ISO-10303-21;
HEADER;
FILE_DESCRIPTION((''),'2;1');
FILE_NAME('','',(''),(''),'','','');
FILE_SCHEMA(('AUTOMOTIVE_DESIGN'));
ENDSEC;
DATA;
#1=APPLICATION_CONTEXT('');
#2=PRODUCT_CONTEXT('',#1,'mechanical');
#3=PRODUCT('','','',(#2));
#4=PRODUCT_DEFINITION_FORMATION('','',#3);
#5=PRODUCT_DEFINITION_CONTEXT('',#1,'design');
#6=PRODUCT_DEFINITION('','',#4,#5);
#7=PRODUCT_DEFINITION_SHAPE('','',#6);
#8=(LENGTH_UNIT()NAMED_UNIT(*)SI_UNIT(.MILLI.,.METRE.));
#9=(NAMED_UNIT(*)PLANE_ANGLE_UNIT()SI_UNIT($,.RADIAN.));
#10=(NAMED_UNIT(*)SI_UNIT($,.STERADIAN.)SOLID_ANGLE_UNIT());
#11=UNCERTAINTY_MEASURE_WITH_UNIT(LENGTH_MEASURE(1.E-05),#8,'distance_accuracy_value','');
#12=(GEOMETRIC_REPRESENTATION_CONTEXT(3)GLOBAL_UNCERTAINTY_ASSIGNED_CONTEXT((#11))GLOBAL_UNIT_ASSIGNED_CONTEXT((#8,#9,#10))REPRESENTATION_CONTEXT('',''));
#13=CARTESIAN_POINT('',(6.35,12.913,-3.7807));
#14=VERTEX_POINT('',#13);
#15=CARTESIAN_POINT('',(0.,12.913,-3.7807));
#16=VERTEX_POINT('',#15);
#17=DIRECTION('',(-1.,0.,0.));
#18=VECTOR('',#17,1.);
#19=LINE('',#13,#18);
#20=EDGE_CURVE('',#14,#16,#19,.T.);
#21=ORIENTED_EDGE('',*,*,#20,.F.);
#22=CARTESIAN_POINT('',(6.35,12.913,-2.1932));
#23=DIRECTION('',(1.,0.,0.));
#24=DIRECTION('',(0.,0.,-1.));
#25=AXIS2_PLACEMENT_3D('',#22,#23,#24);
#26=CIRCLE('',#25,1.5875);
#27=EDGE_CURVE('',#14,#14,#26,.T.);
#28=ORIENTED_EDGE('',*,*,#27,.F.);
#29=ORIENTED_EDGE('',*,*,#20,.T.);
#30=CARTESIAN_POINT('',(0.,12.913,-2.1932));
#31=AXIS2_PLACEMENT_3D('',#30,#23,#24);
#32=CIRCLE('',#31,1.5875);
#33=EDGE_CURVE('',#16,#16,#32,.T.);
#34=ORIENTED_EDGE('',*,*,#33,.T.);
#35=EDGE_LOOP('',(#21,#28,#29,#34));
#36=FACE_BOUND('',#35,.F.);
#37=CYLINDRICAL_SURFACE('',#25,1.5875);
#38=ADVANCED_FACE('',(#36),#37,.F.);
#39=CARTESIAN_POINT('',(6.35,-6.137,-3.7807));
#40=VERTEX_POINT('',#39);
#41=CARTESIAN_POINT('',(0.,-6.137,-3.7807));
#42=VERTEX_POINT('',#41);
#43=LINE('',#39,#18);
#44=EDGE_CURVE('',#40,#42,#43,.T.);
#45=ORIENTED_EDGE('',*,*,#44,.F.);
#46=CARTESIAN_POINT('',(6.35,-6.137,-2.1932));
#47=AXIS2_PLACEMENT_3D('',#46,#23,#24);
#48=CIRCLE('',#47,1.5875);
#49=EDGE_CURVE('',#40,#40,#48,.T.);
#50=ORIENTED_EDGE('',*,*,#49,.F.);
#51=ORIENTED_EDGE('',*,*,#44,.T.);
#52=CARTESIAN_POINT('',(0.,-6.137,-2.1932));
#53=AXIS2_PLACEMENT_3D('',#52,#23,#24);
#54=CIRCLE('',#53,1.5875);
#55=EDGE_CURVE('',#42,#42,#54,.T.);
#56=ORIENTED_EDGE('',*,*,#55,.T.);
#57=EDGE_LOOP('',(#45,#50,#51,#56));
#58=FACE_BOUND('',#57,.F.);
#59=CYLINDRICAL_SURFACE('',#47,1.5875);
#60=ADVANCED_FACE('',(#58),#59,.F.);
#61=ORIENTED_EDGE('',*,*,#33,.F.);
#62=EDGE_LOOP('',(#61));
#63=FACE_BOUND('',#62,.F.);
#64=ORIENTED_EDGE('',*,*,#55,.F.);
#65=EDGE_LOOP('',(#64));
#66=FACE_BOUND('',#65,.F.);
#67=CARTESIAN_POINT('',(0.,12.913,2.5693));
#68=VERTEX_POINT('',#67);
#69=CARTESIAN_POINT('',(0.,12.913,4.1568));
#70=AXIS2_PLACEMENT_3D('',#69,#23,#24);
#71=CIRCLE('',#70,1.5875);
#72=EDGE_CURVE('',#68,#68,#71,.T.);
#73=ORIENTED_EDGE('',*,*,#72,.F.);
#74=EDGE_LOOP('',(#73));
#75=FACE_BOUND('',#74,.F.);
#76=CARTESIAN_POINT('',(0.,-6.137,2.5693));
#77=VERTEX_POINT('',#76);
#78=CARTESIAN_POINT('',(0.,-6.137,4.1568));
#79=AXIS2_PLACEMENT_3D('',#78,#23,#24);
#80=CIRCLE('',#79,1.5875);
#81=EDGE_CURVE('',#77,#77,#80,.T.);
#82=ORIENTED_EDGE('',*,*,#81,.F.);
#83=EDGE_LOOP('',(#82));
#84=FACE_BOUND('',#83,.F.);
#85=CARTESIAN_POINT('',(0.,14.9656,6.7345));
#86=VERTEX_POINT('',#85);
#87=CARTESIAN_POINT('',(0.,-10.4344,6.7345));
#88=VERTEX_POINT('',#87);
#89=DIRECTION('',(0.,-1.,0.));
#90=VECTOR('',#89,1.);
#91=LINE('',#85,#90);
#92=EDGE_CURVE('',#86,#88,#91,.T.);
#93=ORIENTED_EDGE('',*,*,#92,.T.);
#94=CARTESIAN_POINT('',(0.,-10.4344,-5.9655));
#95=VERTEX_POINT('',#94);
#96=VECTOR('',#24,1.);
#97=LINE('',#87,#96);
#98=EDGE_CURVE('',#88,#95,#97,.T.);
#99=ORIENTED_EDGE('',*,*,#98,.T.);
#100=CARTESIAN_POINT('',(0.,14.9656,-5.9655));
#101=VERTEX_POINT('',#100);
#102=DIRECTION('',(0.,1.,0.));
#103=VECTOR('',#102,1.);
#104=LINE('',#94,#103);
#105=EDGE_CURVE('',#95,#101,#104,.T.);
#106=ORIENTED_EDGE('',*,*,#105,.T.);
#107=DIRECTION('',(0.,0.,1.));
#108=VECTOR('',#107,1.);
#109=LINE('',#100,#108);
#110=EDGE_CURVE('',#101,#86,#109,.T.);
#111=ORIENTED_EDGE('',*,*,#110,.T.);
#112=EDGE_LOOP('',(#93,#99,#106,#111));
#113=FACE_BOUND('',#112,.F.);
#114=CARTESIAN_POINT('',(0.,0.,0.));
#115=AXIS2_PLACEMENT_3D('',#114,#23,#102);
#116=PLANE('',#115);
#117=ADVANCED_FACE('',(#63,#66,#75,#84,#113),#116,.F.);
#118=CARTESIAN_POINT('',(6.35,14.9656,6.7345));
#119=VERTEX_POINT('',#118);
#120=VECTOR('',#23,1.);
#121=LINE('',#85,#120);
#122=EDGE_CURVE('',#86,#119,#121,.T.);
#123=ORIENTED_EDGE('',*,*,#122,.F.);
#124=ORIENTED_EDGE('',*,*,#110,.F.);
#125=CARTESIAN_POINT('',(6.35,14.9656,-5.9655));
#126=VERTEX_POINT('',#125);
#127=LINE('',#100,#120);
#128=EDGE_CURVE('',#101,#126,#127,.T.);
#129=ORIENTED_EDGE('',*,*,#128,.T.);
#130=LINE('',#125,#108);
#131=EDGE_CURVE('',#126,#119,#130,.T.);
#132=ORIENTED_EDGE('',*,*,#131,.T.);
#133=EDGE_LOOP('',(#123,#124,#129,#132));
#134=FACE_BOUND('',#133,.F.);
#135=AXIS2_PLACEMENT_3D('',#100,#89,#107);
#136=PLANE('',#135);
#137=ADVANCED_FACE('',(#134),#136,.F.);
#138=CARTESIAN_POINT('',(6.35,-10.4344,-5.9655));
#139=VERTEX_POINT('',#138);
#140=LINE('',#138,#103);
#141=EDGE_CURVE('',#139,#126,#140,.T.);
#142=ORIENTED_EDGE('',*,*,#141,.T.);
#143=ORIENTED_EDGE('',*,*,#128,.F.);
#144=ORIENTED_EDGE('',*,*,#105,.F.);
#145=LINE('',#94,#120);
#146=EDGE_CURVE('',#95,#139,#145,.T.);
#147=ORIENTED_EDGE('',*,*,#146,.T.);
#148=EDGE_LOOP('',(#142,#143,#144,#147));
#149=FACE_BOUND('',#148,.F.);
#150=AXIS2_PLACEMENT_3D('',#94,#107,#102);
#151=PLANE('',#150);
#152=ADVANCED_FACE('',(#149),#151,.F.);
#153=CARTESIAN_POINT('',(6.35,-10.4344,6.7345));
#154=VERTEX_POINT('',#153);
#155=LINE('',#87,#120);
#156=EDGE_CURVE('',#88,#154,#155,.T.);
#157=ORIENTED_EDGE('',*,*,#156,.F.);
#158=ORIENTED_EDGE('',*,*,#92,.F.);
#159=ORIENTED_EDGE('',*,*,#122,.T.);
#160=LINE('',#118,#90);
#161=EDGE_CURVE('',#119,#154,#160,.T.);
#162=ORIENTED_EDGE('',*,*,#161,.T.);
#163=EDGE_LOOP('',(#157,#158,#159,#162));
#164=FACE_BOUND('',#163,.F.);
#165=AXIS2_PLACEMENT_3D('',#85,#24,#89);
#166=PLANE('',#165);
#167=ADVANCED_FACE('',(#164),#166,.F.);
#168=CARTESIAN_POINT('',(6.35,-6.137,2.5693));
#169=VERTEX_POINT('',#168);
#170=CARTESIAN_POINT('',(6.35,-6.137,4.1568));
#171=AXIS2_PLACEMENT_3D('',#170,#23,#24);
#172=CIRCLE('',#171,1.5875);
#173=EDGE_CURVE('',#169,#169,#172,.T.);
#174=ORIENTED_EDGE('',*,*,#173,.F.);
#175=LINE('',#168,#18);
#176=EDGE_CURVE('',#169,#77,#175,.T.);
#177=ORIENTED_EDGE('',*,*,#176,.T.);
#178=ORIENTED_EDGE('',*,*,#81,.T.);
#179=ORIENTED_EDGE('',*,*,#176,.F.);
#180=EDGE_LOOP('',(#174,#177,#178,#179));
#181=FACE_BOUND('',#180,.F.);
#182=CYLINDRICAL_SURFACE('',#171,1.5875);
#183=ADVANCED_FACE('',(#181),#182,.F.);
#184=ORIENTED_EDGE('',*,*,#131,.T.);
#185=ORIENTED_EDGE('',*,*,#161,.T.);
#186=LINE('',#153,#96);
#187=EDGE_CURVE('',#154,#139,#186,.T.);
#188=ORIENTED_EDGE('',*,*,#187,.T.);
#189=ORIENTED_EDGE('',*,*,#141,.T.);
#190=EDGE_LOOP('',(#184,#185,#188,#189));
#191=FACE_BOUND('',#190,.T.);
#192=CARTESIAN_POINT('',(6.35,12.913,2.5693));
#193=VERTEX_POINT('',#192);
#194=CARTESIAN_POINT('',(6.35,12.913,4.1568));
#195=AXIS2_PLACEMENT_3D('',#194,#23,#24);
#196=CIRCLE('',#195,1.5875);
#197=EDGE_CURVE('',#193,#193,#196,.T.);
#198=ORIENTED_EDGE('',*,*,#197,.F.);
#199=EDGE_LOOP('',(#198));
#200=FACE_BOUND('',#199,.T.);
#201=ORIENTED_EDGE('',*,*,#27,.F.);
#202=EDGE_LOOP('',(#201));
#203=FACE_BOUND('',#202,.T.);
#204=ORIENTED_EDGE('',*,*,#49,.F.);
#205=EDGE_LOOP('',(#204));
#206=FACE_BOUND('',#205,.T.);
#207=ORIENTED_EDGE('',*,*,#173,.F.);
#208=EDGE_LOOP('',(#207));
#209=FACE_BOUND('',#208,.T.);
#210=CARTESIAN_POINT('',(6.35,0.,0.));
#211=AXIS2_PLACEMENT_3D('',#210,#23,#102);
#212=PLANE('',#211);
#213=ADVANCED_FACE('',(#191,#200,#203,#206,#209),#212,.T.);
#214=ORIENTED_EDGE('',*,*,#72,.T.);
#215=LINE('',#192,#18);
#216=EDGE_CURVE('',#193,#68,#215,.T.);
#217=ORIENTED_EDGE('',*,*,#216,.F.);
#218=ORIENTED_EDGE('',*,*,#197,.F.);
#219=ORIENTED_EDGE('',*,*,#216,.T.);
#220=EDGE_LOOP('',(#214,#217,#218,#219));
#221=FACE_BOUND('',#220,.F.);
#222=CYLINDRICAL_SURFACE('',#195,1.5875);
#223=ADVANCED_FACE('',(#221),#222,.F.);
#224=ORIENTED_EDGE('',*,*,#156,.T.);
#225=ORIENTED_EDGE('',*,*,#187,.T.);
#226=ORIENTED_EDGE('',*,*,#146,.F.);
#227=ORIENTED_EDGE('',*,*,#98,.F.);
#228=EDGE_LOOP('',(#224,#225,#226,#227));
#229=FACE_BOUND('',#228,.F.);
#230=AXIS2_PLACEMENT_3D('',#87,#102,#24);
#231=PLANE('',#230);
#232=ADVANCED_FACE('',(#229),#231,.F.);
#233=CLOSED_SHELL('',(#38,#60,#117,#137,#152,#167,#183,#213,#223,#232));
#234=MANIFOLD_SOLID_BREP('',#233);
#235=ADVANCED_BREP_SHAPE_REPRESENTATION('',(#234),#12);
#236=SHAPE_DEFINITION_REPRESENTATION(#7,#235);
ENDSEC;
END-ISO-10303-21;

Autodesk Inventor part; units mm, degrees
ref_plane "YZ Plane" through (0, 0, 0) normal (1, 0, 0) x (0, 1, 0)
ref_plane "XZ Plane" through (0, 0, 0) normal (0, 1, 0) x (-1, 0, 0)
ref_plane "XY Plane" through (0, 0, 0) normal (0, 0, 1) x (1, 0, 0)
sketch "Sketch1" plane through (0, 0, 0) normal (1, 0, 0) x (0, 1, 0)
  line L0 (14.9656, 6.7345) -> (-10.4344, 6.7345)
  line L1 (-10.4344, 6.7345) -> (-10.4344, -5.9655)
  line L2 (-10.4344, -5.9655) -> (14.9656, -5.9655)
  line L3 (14.9656, -5.9655) -> (14.9656, 6.7345)
  point P0 (0, 0)
  dimension "d0" = 25.4
  dimension "d1" = 12.7
extrude "Extrusion1" add sketch "Sketch1" along normal blind 6.35
sketch "Sketch2" plane through (6.35, 0, 0) normal (1, 0, 0) x (0, 0, -1)
  circle A0 centre (-4.1568, 12.913) radius 1.5875
  line L0 (-6.7345, 14.9656) -> (-6.7345, -10.4344) projected
  line L1 (5.9655, 14.9656) -> (-6.7345, 14.9656) projected
  circle A1 centre (2.1932, 12.913) radius 1.5875
  circle A2 centre (-4.1568, -6.137) radius 1.5875
  circle A3 centre (2.1932, -6.137) radius 1.5875
  point P0 (0, 0)
  dimension "d4" = 3.175
  dimension "d9" = 6.35
  dimension "d12" = 19.05
extrude "Extrusion2" cut sketch "Sketch2" against normal blind 6.35
equation "\"d1\" = 0.5 * d0"
equation "\"d2\" = 0.5 * d1"
equation "\"d4\" = 0.5 * d2"
equation "\"d15\" = 0.5 * d1"
properties part number "8.2a"
